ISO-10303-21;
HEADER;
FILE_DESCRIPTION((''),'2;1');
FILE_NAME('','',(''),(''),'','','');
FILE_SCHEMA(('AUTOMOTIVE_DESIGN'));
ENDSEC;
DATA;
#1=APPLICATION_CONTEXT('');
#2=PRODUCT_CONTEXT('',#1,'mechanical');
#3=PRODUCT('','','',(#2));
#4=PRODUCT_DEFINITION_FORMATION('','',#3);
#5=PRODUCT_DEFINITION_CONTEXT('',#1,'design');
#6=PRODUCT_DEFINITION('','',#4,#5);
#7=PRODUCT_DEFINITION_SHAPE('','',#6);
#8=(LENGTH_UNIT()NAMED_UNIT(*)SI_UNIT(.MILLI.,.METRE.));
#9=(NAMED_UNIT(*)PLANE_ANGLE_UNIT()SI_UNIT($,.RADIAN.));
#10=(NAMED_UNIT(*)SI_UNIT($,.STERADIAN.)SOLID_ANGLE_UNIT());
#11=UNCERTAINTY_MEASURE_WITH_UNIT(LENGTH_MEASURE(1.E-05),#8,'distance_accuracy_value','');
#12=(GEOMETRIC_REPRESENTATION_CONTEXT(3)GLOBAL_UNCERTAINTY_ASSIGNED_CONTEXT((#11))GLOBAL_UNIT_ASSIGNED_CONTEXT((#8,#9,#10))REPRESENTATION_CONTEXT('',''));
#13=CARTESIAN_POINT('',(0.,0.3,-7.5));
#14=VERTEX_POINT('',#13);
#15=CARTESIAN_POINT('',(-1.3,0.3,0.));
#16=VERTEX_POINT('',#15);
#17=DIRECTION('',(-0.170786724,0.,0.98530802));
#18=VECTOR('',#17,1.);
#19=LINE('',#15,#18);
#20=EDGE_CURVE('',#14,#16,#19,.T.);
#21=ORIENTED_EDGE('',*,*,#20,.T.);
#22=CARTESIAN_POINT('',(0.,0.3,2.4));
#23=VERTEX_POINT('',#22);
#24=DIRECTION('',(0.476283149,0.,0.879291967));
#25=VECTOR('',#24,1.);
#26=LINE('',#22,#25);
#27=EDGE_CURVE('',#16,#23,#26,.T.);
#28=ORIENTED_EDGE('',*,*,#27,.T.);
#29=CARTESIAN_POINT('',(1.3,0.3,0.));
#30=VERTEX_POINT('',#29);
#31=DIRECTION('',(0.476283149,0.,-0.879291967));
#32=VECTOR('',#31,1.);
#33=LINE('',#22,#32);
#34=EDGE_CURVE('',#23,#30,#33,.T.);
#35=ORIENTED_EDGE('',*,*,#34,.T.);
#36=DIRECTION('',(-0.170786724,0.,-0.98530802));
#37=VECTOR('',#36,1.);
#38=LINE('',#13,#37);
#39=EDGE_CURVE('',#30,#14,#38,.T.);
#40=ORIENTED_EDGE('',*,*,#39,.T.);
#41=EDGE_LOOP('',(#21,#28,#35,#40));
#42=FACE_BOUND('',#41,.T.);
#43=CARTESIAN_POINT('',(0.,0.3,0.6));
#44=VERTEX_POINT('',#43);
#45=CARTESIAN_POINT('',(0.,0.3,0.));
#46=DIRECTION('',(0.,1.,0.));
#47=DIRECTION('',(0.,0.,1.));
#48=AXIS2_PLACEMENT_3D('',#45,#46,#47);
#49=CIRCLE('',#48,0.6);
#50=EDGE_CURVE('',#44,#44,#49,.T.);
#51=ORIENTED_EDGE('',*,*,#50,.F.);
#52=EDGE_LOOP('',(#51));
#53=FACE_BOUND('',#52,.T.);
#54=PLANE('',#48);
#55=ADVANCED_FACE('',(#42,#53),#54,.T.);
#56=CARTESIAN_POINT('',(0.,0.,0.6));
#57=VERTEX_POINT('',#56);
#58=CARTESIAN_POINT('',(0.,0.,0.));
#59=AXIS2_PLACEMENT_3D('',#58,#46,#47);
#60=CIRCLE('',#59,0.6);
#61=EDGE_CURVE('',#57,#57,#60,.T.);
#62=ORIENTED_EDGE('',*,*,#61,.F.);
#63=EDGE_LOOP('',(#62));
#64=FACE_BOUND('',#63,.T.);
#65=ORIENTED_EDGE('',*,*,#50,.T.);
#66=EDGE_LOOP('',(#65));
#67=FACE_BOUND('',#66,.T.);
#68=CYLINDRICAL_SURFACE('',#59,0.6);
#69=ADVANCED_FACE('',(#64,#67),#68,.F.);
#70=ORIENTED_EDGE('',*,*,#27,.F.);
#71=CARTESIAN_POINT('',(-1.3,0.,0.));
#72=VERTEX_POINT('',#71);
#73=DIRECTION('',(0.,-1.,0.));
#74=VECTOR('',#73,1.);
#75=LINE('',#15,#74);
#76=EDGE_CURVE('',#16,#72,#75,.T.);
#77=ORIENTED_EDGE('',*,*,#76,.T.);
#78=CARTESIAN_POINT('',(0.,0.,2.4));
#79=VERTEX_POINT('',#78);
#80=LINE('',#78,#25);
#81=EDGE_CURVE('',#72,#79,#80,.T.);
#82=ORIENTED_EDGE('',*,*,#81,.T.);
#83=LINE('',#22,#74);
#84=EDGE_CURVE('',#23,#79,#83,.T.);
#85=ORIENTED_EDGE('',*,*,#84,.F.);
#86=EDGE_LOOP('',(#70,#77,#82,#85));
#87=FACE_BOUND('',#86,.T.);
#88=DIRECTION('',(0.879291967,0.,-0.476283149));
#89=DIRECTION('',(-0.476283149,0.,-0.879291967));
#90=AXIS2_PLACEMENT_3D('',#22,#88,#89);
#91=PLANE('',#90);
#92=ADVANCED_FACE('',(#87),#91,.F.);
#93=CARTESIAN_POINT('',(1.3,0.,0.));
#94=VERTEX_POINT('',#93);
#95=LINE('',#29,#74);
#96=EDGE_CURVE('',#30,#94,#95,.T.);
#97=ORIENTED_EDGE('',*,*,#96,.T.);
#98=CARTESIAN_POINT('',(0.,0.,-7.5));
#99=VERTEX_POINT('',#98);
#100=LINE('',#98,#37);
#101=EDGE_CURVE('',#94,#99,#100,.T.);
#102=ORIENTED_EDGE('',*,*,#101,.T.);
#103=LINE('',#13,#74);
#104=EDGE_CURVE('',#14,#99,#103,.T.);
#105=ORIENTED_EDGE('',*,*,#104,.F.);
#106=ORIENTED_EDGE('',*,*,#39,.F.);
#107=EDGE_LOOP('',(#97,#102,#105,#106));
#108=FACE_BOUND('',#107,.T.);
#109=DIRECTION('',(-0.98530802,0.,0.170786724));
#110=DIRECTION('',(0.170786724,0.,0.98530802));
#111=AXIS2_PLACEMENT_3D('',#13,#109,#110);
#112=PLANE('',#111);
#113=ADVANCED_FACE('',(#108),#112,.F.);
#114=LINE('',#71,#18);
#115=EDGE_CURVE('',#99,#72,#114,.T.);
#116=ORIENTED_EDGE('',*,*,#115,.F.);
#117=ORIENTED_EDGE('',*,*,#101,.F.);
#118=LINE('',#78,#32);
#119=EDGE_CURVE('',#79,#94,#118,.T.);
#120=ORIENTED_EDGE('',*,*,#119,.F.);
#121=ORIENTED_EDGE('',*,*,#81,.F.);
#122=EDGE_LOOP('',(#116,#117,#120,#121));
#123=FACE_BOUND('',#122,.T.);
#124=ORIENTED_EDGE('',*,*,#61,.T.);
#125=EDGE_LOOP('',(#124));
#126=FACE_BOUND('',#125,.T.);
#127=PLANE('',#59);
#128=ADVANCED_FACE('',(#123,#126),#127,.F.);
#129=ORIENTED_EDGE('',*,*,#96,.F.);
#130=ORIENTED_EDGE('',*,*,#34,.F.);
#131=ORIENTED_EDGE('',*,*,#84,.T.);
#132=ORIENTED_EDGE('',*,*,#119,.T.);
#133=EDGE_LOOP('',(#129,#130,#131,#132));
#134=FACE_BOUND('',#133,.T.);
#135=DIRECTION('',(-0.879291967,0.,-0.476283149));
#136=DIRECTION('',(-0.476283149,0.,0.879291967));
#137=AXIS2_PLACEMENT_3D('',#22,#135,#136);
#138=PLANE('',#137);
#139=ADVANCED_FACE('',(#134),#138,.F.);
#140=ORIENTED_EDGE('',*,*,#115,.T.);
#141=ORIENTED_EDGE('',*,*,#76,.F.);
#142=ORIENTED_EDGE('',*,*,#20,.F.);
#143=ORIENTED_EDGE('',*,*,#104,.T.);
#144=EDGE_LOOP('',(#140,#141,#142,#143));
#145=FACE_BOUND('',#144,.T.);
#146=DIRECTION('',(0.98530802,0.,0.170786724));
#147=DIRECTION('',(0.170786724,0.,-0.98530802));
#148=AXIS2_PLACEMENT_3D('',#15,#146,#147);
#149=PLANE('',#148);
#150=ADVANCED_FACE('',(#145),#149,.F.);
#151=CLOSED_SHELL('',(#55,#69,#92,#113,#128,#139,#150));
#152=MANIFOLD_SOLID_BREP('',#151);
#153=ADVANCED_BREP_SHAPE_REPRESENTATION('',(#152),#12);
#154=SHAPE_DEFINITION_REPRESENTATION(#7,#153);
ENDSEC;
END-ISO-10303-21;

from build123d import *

# Parameters (mm, degrees)
BOSS_EXTRUDE1_DEPTH = 0.3
SKETCH3_R           = 0.6
CUT_EXTRUDE1_DEPTH  = 0.3


with BuildPart() as part:
    # Sketch2 → Boss-Extrude1 (new body)
    with BuildSketch(Plane(origin=(0, 0, 0), x_dir=(1, 0, 0), z_dir=(0, 1, 0))):
        Polygon((-1.3, 0), (0, 7.5), (1.3, 0), (0, -2.4), align=None)
    extrude(amount=BOSS_EXTRUDE1_DEPTH)

    # Sketch3 → Cut-Extrude1 (cut)
    with BuildSketch(Plane(origin=(0, 0.3, 0), x_dir=(1, 0, 0), z_dir=(0, 1, 0))):
        with Locations(Location((0, 0, 0), (0, 0, 270))):
            Circle(SKETCH3_R)
    extrude(amount=-CUT_EXTRUDE1_DEPTH, mode=Mode.SUBTRACT)


solid = part.part
